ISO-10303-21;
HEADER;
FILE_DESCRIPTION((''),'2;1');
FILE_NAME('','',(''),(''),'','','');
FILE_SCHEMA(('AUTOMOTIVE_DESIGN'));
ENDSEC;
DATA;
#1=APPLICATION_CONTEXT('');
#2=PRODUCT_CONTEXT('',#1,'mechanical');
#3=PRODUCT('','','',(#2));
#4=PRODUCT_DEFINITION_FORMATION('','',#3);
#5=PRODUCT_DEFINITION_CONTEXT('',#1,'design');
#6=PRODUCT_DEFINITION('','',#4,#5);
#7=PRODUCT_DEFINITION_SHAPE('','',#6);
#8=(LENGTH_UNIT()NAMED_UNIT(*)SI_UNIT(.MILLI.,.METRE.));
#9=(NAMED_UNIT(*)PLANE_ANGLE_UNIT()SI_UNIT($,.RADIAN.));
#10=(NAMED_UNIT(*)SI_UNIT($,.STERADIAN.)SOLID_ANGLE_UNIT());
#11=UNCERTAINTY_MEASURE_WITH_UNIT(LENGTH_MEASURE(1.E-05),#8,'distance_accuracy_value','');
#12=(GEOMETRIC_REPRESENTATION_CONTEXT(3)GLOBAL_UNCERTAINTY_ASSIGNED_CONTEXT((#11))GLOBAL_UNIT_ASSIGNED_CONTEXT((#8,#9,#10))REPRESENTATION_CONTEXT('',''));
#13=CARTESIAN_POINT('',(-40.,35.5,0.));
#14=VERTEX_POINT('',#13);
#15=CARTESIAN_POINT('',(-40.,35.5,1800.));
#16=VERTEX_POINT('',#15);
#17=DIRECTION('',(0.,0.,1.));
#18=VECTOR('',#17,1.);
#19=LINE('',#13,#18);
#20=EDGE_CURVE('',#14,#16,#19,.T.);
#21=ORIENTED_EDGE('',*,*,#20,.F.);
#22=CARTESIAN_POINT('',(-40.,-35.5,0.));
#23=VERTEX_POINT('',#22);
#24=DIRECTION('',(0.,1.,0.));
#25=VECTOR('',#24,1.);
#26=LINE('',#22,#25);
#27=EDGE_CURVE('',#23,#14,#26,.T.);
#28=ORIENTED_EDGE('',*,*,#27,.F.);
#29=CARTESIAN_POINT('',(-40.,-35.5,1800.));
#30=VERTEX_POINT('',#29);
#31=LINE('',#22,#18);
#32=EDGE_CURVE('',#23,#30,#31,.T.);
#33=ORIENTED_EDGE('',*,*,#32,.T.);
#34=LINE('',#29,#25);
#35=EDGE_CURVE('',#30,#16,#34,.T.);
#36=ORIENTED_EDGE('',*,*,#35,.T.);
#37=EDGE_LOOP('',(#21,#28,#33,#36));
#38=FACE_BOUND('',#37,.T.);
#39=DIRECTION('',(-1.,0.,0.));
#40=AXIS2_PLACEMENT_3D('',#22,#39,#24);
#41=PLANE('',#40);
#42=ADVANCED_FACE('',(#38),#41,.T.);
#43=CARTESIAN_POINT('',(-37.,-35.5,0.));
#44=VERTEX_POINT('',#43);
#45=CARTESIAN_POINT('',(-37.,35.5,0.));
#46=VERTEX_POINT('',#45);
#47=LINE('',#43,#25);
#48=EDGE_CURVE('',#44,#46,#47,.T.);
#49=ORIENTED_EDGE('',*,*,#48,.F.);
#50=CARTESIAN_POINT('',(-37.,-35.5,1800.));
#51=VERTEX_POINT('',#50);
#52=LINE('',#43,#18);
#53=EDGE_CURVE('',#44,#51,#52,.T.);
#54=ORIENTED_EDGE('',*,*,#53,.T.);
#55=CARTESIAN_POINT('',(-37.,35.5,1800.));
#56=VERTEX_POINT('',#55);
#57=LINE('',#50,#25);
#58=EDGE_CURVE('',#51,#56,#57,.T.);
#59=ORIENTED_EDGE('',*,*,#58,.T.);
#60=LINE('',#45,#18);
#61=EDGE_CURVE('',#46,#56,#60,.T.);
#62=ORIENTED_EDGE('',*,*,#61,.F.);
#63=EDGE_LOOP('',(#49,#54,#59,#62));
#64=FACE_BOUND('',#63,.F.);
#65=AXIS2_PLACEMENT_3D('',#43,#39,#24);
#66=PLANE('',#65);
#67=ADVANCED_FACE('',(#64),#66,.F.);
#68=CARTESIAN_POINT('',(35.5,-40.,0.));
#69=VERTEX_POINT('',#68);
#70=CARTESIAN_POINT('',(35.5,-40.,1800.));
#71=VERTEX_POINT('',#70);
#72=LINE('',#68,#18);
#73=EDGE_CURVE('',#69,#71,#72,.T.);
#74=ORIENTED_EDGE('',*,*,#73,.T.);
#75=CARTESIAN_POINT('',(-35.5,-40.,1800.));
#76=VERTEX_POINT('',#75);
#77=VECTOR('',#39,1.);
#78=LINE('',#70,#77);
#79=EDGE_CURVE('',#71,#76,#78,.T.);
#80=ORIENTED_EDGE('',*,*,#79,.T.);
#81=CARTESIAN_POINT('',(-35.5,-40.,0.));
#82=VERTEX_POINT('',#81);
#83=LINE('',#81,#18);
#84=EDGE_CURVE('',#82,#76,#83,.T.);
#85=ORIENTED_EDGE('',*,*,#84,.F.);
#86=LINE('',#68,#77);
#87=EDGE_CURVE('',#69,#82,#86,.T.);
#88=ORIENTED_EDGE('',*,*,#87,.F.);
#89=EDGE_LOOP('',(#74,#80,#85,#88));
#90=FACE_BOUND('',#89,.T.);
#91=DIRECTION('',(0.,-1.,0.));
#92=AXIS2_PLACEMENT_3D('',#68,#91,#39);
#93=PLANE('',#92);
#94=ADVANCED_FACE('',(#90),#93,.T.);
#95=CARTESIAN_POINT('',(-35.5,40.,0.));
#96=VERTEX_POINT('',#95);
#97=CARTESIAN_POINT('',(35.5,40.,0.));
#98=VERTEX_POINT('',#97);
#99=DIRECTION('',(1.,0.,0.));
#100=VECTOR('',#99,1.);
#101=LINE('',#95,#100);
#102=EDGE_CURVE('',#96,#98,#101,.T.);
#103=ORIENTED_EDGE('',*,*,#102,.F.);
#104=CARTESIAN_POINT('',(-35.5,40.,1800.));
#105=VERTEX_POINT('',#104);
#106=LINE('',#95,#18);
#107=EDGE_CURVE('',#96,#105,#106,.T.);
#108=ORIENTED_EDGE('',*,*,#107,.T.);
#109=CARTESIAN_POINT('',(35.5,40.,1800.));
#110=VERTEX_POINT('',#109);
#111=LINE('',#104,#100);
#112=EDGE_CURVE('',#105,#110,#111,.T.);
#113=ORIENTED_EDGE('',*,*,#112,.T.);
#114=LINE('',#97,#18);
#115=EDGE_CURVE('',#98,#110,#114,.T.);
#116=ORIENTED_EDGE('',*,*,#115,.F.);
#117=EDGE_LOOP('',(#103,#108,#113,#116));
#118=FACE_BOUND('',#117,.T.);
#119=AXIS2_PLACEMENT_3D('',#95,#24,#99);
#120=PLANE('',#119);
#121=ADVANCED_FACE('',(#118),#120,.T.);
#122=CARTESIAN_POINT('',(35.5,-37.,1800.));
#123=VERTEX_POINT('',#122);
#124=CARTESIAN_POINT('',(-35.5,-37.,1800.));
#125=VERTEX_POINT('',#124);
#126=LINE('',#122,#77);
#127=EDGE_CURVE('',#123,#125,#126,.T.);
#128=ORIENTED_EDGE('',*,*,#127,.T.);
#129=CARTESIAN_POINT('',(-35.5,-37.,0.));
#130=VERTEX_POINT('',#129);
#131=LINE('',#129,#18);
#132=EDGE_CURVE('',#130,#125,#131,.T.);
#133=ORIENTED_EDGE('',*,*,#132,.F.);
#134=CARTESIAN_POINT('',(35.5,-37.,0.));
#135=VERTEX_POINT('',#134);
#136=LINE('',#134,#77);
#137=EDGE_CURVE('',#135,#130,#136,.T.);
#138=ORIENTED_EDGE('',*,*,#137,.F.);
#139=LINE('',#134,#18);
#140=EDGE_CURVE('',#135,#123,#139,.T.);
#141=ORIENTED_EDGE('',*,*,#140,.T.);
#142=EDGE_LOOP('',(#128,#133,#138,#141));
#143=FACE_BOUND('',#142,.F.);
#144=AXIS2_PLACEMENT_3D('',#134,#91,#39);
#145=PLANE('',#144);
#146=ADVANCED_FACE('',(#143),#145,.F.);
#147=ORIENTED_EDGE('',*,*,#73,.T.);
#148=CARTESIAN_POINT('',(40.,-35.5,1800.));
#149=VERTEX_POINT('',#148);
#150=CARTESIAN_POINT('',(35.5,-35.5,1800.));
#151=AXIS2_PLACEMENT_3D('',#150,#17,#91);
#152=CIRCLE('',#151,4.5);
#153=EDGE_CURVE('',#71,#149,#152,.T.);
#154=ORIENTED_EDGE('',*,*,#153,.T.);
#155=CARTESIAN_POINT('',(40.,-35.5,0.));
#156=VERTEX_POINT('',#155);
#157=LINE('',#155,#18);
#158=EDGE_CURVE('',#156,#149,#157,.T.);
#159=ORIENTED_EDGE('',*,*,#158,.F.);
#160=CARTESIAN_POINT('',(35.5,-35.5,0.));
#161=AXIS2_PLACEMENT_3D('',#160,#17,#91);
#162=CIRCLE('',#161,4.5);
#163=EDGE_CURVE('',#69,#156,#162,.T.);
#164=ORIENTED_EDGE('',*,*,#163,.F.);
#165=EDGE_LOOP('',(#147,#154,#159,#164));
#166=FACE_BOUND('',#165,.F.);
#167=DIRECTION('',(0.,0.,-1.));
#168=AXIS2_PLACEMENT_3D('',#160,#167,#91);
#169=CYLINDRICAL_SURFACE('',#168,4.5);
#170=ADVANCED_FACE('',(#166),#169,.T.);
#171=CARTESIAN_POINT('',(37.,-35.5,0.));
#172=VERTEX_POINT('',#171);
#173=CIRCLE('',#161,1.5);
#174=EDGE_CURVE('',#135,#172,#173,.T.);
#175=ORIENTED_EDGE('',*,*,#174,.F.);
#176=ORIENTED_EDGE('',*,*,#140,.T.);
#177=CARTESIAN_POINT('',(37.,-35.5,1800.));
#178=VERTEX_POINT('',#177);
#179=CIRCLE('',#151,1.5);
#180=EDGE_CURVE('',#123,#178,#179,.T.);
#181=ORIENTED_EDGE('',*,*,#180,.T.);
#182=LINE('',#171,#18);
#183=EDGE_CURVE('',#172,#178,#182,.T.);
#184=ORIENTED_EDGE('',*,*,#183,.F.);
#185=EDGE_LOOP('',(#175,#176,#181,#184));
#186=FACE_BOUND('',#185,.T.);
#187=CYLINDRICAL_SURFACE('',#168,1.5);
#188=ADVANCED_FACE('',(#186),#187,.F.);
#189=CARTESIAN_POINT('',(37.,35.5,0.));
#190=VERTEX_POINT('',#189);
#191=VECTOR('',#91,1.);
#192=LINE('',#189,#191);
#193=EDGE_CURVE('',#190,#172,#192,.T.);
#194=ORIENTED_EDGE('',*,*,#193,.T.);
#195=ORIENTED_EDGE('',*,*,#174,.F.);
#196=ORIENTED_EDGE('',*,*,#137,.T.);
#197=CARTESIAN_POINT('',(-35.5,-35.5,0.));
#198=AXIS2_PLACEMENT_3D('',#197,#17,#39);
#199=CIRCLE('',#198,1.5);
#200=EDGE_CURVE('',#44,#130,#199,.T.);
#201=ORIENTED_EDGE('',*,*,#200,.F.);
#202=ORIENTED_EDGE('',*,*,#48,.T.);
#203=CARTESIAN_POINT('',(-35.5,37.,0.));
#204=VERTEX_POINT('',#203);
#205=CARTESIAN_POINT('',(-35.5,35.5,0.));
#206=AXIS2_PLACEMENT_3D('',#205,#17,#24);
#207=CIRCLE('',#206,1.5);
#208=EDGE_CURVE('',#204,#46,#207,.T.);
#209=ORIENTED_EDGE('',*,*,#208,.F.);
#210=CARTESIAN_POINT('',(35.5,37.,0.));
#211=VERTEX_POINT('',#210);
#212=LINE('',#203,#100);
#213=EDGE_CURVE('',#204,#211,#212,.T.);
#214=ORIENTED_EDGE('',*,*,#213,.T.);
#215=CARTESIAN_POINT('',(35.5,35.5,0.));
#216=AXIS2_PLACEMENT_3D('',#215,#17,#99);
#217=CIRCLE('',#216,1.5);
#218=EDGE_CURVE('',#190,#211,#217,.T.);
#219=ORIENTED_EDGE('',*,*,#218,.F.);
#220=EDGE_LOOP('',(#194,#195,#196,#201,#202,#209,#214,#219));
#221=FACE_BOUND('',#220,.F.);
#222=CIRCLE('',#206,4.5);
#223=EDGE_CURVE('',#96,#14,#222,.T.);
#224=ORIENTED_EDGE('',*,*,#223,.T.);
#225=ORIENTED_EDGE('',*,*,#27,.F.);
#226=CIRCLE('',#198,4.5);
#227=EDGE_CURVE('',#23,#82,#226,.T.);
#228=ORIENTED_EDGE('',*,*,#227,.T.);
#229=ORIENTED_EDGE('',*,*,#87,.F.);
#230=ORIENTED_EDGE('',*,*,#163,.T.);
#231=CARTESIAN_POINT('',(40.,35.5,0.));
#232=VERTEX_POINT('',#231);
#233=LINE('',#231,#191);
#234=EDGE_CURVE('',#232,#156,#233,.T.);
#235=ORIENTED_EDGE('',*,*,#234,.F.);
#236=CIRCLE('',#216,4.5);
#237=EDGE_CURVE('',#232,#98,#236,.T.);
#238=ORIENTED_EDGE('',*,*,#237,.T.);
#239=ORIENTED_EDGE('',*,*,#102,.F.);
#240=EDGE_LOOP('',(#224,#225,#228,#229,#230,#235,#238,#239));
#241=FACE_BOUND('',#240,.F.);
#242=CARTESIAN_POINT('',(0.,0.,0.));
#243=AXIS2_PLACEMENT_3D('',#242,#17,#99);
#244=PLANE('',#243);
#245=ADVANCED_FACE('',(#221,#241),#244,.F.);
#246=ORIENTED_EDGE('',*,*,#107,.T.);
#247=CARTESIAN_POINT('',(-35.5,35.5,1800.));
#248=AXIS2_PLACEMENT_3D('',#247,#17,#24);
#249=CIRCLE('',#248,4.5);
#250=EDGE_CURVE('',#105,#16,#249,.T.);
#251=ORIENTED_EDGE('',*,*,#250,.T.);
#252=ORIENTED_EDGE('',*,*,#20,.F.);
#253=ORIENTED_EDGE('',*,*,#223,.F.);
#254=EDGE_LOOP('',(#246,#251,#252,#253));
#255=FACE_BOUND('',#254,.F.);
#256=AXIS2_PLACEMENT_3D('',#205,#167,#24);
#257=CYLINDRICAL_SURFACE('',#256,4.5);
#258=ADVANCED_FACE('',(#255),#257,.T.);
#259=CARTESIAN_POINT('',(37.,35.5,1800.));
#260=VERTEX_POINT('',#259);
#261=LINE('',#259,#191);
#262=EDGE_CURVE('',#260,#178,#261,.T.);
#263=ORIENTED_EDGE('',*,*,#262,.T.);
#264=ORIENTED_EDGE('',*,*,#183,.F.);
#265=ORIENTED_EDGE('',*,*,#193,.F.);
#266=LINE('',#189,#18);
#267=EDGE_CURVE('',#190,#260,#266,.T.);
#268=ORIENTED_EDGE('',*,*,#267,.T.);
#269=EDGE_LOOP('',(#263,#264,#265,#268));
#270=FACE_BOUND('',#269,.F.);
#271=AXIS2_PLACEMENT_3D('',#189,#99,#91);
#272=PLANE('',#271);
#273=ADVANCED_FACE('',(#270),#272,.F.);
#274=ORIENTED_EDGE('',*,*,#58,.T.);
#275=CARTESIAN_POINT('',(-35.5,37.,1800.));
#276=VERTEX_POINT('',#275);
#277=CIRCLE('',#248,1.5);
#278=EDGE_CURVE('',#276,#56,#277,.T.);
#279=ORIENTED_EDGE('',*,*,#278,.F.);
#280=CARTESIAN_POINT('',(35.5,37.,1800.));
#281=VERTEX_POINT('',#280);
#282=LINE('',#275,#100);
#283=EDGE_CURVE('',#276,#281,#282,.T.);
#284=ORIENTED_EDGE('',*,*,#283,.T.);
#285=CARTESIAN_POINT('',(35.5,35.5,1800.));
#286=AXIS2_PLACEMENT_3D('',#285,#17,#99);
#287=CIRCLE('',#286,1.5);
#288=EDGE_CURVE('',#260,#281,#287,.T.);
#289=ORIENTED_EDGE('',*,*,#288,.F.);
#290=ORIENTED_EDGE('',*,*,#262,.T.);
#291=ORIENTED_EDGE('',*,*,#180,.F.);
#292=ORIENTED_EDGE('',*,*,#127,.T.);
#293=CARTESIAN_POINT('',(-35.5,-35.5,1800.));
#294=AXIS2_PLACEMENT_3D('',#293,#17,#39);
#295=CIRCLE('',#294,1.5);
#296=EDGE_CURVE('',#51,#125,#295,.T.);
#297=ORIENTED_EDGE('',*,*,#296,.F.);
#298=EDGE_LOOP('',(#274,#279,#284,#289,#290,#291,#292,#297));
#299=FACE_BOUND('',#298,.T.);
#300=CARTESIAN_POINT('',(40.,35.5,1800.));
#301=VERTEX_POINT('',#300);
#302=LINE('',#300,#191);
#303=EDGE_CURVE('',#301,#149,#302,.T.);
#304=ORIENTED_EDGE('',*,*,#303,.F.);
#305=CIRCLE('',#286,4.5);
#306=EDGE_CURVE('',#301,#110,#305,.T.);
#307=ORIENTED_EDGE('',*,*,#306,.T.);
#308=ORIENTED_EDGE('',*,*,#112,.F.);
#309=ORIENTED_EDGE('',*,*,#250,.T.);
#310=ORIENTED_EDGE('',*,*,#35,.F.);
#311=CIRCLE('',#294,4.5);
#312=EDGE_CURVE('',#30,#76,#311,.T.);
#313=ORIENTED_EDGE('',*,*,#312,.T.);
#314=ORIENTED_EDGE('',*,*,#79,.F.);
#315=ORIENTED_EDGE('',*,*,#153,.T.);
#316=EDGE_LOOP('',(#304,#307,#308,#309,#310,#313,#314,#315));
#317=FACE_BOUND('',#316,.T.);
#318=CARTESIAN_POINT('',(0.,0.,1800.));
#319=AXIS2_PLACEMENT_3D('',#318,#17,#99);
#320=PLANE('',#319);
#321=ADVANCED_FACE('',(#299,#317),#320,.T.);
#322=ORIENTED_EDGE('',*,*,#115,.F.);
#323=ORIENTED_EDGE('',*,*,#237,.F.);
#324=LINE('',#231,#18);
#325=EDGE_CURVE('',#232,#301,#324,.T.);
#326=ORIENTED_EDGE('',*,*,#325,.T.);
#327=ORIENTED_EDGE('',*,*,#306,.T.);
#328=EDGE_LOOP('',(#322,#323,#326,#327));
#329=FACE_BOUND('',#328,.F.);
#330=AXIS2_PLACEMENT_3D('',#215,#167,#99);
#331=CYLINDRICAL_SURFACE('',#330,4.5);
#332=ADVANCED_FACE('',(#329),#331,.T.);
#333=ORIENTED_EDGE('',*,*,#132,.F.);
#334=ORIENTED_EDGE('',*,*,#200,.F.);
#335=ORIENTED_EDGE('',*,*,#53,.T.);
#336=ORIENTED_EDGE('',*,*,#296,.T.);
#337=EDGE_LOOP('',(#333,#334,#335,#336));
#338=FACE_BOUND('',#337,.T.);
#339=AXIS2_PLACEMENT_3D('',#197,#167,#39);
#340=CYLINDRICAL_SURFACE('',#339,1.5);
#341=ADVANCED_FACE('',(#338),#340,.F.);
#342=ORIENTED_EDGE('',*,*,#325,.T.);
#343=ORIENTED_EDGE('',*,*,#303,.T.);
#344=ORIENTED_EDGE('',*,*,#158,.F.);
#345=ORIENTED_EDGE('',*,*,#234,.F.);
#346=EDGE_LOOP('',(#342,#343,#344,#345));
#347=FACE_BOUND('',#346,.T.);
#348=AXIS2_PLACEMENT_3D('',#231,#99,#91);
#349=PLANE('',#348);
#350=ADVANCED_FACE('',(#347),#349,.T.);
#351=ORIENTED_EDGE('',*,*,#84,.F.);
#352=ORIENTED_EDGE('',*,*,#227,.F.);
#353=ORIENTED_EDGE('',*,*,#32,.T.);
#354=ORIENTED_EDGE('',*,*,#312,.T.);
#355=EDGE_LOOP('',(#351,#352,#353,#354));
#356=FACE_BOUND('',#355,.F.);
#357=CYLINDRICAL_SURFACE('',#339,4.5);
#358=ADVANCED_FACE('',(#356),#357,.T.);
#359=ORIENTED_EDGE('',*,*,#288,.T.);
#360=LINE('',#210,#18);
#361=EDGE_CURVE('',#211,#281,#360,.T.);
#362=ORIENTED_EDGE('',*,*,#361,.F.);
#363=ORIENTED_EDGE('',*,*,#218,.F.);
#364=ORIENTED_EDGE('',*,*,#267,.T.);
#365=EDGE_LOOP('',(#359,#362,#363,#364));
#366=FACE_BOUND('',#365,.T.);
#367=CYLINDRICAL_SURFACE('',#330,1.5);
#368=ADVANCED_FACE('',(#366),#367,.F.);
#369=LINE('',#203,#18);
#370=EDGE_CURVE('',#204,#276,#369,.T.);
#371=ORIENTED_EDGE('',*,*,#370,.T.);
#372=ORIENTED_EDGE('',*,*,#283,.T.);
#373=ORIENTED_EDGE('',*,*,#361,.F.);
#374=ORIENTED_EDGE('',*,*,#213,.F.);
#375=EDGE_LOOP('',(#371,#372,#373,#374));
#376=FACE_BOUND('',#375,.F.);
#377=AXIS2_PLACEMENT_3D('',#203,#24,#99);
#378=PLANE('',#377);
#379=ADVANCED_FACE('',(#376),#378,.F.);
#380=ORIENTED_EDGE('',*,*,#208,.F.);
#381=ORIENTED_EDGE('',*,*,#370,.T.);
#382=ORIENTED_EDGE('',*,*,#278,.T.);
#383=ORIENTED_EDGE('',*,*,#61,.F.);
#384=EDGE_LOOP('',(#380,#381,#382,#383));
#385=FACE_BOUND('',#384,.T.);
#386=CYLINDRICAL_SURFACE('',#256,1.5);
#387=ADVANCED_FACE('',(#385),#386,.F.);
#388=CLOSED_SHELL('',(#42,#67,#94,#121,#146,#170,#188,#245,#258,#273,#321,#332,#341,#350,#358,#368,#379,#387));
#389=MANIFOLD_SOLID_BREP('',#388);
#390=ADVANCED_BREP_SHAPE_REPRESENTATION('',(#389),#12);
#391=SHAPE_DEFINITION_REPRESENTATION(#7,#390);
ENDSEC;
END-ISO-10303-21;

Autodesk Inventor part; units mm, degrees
ref_plane "YZ Plane" through (0, 0, 0) normal (1, 0, 0) x (0, 1, 0)
ref_plane "Start Plane" through (0, 0, 0) normal (0, 0, 1) x (1, 0, 0)
ref_plane "End Plane" through (0, 0, 1800) normal (0, 0, 1) x (1, 0, 0)
sketch "Sketch" plane through (0, 0, 0) normal (0, 0, 1) x (1, 0, 0)
  line L0 (-40, -35.5) -> (-40, 35.5)
  line L1 (-35.5, 40) -> (35.5, 40)
  line L2 (40, 35.5) -> (40, -35.5)
  line L3 (35.5, -40) -> (-35.5, -40)
  arc A0 (-40, -35.5) -> (-35.5, -40) centre (-35.5, -35.5) ccw
  arc A1 (-35.5, 40) -> (-40, 35.5) centre (-35.5, 35.5) ccw
  arc A2 (40, 35.5) -> (35.5, 40) centre (35.5, 35.5) ccw
  arc A3 (35.5, -40) -> (40, -35.5) centre (35.5, -35.5) ccw
  arc A4 (-35.5, 37) -> (-37, 35.5) centre (-35.5, 35.5) ccw
  line L4 (-35.5, 37) -> (35.5, 37)
  arc A5 (37, 35.5) -> (35.5, 37) centre (35.5, 35.5) ccw
  line L5 (37, 35.5) -> (37, -35.5)
  arc A6 (35.5, -37) -> (37, -35.5) centre (35.5, -35.5) ccw
  line L6 (35.5, -37) -> (-35.5, -37)
  arc A7 (-37, -35.5) -> (-35.5, -37) centre (-35.5, -35.5) ccw
  line L7 (-37, -35.5) -> (-37, 35.5)
  line L8 (0, 57.3048) -> (0, -57.3048) construction
  line L9 (-57.3048, 0) -> (57.3048, 0) construction
  dimension "d7" = 4.5
  dimension "d10" = 80
  dimension "d11" = 80
  dimension "d12" = 3
  dimension "d15" = 40
  dimension "d16" = 40
extrude "Body" add sketch "Sketch" along normal up to surface (1800 mm away) from surface at 0
sketch "Sketch3" plane through (0, 0, 0) normal (0, 0, 1) x (1, 0, 0)
  line L0 (0, 0) -> (10, 0)
ref_plane "Work Plane3" through (0, 0, 0) normal (0, -1, 0) x (1, 0, 0)
sketch "Sketch4" plane through (0, 0, 0) normal (0, -1, 0) x (1, 0, 0)
  line L0 (-2, 0) -> (12, 0) projected
  line L1 (-2, 1800) -> (12, 1800) projected
  dimension "d18" = 1800
equation "\"d7\" = G_IR"
equation "\"d10\" = G_H"
equation "\"d11\" = G_W"
equation "\"d12\" = G_T"
equation "\"d15\" = 0.5 * d10"
equation "\"d16\" = 0.5 * d11"
equation "\"d3\" = G_L"
equation "\"G_W\" = 80"
equation "\"G_H\" = 80"
equation "\"G_T\" = 3"
equation "\"G_IR\" = 4.5"
equation "\"G_L\" = d18"
equation "\"G_OFFSET_START\" = 0"
equation "\"G_OFFSET_END\" = 0"
properties part number "ISO 12633-2 - 80x80x3 - 1800" material "Steel, Mild"
